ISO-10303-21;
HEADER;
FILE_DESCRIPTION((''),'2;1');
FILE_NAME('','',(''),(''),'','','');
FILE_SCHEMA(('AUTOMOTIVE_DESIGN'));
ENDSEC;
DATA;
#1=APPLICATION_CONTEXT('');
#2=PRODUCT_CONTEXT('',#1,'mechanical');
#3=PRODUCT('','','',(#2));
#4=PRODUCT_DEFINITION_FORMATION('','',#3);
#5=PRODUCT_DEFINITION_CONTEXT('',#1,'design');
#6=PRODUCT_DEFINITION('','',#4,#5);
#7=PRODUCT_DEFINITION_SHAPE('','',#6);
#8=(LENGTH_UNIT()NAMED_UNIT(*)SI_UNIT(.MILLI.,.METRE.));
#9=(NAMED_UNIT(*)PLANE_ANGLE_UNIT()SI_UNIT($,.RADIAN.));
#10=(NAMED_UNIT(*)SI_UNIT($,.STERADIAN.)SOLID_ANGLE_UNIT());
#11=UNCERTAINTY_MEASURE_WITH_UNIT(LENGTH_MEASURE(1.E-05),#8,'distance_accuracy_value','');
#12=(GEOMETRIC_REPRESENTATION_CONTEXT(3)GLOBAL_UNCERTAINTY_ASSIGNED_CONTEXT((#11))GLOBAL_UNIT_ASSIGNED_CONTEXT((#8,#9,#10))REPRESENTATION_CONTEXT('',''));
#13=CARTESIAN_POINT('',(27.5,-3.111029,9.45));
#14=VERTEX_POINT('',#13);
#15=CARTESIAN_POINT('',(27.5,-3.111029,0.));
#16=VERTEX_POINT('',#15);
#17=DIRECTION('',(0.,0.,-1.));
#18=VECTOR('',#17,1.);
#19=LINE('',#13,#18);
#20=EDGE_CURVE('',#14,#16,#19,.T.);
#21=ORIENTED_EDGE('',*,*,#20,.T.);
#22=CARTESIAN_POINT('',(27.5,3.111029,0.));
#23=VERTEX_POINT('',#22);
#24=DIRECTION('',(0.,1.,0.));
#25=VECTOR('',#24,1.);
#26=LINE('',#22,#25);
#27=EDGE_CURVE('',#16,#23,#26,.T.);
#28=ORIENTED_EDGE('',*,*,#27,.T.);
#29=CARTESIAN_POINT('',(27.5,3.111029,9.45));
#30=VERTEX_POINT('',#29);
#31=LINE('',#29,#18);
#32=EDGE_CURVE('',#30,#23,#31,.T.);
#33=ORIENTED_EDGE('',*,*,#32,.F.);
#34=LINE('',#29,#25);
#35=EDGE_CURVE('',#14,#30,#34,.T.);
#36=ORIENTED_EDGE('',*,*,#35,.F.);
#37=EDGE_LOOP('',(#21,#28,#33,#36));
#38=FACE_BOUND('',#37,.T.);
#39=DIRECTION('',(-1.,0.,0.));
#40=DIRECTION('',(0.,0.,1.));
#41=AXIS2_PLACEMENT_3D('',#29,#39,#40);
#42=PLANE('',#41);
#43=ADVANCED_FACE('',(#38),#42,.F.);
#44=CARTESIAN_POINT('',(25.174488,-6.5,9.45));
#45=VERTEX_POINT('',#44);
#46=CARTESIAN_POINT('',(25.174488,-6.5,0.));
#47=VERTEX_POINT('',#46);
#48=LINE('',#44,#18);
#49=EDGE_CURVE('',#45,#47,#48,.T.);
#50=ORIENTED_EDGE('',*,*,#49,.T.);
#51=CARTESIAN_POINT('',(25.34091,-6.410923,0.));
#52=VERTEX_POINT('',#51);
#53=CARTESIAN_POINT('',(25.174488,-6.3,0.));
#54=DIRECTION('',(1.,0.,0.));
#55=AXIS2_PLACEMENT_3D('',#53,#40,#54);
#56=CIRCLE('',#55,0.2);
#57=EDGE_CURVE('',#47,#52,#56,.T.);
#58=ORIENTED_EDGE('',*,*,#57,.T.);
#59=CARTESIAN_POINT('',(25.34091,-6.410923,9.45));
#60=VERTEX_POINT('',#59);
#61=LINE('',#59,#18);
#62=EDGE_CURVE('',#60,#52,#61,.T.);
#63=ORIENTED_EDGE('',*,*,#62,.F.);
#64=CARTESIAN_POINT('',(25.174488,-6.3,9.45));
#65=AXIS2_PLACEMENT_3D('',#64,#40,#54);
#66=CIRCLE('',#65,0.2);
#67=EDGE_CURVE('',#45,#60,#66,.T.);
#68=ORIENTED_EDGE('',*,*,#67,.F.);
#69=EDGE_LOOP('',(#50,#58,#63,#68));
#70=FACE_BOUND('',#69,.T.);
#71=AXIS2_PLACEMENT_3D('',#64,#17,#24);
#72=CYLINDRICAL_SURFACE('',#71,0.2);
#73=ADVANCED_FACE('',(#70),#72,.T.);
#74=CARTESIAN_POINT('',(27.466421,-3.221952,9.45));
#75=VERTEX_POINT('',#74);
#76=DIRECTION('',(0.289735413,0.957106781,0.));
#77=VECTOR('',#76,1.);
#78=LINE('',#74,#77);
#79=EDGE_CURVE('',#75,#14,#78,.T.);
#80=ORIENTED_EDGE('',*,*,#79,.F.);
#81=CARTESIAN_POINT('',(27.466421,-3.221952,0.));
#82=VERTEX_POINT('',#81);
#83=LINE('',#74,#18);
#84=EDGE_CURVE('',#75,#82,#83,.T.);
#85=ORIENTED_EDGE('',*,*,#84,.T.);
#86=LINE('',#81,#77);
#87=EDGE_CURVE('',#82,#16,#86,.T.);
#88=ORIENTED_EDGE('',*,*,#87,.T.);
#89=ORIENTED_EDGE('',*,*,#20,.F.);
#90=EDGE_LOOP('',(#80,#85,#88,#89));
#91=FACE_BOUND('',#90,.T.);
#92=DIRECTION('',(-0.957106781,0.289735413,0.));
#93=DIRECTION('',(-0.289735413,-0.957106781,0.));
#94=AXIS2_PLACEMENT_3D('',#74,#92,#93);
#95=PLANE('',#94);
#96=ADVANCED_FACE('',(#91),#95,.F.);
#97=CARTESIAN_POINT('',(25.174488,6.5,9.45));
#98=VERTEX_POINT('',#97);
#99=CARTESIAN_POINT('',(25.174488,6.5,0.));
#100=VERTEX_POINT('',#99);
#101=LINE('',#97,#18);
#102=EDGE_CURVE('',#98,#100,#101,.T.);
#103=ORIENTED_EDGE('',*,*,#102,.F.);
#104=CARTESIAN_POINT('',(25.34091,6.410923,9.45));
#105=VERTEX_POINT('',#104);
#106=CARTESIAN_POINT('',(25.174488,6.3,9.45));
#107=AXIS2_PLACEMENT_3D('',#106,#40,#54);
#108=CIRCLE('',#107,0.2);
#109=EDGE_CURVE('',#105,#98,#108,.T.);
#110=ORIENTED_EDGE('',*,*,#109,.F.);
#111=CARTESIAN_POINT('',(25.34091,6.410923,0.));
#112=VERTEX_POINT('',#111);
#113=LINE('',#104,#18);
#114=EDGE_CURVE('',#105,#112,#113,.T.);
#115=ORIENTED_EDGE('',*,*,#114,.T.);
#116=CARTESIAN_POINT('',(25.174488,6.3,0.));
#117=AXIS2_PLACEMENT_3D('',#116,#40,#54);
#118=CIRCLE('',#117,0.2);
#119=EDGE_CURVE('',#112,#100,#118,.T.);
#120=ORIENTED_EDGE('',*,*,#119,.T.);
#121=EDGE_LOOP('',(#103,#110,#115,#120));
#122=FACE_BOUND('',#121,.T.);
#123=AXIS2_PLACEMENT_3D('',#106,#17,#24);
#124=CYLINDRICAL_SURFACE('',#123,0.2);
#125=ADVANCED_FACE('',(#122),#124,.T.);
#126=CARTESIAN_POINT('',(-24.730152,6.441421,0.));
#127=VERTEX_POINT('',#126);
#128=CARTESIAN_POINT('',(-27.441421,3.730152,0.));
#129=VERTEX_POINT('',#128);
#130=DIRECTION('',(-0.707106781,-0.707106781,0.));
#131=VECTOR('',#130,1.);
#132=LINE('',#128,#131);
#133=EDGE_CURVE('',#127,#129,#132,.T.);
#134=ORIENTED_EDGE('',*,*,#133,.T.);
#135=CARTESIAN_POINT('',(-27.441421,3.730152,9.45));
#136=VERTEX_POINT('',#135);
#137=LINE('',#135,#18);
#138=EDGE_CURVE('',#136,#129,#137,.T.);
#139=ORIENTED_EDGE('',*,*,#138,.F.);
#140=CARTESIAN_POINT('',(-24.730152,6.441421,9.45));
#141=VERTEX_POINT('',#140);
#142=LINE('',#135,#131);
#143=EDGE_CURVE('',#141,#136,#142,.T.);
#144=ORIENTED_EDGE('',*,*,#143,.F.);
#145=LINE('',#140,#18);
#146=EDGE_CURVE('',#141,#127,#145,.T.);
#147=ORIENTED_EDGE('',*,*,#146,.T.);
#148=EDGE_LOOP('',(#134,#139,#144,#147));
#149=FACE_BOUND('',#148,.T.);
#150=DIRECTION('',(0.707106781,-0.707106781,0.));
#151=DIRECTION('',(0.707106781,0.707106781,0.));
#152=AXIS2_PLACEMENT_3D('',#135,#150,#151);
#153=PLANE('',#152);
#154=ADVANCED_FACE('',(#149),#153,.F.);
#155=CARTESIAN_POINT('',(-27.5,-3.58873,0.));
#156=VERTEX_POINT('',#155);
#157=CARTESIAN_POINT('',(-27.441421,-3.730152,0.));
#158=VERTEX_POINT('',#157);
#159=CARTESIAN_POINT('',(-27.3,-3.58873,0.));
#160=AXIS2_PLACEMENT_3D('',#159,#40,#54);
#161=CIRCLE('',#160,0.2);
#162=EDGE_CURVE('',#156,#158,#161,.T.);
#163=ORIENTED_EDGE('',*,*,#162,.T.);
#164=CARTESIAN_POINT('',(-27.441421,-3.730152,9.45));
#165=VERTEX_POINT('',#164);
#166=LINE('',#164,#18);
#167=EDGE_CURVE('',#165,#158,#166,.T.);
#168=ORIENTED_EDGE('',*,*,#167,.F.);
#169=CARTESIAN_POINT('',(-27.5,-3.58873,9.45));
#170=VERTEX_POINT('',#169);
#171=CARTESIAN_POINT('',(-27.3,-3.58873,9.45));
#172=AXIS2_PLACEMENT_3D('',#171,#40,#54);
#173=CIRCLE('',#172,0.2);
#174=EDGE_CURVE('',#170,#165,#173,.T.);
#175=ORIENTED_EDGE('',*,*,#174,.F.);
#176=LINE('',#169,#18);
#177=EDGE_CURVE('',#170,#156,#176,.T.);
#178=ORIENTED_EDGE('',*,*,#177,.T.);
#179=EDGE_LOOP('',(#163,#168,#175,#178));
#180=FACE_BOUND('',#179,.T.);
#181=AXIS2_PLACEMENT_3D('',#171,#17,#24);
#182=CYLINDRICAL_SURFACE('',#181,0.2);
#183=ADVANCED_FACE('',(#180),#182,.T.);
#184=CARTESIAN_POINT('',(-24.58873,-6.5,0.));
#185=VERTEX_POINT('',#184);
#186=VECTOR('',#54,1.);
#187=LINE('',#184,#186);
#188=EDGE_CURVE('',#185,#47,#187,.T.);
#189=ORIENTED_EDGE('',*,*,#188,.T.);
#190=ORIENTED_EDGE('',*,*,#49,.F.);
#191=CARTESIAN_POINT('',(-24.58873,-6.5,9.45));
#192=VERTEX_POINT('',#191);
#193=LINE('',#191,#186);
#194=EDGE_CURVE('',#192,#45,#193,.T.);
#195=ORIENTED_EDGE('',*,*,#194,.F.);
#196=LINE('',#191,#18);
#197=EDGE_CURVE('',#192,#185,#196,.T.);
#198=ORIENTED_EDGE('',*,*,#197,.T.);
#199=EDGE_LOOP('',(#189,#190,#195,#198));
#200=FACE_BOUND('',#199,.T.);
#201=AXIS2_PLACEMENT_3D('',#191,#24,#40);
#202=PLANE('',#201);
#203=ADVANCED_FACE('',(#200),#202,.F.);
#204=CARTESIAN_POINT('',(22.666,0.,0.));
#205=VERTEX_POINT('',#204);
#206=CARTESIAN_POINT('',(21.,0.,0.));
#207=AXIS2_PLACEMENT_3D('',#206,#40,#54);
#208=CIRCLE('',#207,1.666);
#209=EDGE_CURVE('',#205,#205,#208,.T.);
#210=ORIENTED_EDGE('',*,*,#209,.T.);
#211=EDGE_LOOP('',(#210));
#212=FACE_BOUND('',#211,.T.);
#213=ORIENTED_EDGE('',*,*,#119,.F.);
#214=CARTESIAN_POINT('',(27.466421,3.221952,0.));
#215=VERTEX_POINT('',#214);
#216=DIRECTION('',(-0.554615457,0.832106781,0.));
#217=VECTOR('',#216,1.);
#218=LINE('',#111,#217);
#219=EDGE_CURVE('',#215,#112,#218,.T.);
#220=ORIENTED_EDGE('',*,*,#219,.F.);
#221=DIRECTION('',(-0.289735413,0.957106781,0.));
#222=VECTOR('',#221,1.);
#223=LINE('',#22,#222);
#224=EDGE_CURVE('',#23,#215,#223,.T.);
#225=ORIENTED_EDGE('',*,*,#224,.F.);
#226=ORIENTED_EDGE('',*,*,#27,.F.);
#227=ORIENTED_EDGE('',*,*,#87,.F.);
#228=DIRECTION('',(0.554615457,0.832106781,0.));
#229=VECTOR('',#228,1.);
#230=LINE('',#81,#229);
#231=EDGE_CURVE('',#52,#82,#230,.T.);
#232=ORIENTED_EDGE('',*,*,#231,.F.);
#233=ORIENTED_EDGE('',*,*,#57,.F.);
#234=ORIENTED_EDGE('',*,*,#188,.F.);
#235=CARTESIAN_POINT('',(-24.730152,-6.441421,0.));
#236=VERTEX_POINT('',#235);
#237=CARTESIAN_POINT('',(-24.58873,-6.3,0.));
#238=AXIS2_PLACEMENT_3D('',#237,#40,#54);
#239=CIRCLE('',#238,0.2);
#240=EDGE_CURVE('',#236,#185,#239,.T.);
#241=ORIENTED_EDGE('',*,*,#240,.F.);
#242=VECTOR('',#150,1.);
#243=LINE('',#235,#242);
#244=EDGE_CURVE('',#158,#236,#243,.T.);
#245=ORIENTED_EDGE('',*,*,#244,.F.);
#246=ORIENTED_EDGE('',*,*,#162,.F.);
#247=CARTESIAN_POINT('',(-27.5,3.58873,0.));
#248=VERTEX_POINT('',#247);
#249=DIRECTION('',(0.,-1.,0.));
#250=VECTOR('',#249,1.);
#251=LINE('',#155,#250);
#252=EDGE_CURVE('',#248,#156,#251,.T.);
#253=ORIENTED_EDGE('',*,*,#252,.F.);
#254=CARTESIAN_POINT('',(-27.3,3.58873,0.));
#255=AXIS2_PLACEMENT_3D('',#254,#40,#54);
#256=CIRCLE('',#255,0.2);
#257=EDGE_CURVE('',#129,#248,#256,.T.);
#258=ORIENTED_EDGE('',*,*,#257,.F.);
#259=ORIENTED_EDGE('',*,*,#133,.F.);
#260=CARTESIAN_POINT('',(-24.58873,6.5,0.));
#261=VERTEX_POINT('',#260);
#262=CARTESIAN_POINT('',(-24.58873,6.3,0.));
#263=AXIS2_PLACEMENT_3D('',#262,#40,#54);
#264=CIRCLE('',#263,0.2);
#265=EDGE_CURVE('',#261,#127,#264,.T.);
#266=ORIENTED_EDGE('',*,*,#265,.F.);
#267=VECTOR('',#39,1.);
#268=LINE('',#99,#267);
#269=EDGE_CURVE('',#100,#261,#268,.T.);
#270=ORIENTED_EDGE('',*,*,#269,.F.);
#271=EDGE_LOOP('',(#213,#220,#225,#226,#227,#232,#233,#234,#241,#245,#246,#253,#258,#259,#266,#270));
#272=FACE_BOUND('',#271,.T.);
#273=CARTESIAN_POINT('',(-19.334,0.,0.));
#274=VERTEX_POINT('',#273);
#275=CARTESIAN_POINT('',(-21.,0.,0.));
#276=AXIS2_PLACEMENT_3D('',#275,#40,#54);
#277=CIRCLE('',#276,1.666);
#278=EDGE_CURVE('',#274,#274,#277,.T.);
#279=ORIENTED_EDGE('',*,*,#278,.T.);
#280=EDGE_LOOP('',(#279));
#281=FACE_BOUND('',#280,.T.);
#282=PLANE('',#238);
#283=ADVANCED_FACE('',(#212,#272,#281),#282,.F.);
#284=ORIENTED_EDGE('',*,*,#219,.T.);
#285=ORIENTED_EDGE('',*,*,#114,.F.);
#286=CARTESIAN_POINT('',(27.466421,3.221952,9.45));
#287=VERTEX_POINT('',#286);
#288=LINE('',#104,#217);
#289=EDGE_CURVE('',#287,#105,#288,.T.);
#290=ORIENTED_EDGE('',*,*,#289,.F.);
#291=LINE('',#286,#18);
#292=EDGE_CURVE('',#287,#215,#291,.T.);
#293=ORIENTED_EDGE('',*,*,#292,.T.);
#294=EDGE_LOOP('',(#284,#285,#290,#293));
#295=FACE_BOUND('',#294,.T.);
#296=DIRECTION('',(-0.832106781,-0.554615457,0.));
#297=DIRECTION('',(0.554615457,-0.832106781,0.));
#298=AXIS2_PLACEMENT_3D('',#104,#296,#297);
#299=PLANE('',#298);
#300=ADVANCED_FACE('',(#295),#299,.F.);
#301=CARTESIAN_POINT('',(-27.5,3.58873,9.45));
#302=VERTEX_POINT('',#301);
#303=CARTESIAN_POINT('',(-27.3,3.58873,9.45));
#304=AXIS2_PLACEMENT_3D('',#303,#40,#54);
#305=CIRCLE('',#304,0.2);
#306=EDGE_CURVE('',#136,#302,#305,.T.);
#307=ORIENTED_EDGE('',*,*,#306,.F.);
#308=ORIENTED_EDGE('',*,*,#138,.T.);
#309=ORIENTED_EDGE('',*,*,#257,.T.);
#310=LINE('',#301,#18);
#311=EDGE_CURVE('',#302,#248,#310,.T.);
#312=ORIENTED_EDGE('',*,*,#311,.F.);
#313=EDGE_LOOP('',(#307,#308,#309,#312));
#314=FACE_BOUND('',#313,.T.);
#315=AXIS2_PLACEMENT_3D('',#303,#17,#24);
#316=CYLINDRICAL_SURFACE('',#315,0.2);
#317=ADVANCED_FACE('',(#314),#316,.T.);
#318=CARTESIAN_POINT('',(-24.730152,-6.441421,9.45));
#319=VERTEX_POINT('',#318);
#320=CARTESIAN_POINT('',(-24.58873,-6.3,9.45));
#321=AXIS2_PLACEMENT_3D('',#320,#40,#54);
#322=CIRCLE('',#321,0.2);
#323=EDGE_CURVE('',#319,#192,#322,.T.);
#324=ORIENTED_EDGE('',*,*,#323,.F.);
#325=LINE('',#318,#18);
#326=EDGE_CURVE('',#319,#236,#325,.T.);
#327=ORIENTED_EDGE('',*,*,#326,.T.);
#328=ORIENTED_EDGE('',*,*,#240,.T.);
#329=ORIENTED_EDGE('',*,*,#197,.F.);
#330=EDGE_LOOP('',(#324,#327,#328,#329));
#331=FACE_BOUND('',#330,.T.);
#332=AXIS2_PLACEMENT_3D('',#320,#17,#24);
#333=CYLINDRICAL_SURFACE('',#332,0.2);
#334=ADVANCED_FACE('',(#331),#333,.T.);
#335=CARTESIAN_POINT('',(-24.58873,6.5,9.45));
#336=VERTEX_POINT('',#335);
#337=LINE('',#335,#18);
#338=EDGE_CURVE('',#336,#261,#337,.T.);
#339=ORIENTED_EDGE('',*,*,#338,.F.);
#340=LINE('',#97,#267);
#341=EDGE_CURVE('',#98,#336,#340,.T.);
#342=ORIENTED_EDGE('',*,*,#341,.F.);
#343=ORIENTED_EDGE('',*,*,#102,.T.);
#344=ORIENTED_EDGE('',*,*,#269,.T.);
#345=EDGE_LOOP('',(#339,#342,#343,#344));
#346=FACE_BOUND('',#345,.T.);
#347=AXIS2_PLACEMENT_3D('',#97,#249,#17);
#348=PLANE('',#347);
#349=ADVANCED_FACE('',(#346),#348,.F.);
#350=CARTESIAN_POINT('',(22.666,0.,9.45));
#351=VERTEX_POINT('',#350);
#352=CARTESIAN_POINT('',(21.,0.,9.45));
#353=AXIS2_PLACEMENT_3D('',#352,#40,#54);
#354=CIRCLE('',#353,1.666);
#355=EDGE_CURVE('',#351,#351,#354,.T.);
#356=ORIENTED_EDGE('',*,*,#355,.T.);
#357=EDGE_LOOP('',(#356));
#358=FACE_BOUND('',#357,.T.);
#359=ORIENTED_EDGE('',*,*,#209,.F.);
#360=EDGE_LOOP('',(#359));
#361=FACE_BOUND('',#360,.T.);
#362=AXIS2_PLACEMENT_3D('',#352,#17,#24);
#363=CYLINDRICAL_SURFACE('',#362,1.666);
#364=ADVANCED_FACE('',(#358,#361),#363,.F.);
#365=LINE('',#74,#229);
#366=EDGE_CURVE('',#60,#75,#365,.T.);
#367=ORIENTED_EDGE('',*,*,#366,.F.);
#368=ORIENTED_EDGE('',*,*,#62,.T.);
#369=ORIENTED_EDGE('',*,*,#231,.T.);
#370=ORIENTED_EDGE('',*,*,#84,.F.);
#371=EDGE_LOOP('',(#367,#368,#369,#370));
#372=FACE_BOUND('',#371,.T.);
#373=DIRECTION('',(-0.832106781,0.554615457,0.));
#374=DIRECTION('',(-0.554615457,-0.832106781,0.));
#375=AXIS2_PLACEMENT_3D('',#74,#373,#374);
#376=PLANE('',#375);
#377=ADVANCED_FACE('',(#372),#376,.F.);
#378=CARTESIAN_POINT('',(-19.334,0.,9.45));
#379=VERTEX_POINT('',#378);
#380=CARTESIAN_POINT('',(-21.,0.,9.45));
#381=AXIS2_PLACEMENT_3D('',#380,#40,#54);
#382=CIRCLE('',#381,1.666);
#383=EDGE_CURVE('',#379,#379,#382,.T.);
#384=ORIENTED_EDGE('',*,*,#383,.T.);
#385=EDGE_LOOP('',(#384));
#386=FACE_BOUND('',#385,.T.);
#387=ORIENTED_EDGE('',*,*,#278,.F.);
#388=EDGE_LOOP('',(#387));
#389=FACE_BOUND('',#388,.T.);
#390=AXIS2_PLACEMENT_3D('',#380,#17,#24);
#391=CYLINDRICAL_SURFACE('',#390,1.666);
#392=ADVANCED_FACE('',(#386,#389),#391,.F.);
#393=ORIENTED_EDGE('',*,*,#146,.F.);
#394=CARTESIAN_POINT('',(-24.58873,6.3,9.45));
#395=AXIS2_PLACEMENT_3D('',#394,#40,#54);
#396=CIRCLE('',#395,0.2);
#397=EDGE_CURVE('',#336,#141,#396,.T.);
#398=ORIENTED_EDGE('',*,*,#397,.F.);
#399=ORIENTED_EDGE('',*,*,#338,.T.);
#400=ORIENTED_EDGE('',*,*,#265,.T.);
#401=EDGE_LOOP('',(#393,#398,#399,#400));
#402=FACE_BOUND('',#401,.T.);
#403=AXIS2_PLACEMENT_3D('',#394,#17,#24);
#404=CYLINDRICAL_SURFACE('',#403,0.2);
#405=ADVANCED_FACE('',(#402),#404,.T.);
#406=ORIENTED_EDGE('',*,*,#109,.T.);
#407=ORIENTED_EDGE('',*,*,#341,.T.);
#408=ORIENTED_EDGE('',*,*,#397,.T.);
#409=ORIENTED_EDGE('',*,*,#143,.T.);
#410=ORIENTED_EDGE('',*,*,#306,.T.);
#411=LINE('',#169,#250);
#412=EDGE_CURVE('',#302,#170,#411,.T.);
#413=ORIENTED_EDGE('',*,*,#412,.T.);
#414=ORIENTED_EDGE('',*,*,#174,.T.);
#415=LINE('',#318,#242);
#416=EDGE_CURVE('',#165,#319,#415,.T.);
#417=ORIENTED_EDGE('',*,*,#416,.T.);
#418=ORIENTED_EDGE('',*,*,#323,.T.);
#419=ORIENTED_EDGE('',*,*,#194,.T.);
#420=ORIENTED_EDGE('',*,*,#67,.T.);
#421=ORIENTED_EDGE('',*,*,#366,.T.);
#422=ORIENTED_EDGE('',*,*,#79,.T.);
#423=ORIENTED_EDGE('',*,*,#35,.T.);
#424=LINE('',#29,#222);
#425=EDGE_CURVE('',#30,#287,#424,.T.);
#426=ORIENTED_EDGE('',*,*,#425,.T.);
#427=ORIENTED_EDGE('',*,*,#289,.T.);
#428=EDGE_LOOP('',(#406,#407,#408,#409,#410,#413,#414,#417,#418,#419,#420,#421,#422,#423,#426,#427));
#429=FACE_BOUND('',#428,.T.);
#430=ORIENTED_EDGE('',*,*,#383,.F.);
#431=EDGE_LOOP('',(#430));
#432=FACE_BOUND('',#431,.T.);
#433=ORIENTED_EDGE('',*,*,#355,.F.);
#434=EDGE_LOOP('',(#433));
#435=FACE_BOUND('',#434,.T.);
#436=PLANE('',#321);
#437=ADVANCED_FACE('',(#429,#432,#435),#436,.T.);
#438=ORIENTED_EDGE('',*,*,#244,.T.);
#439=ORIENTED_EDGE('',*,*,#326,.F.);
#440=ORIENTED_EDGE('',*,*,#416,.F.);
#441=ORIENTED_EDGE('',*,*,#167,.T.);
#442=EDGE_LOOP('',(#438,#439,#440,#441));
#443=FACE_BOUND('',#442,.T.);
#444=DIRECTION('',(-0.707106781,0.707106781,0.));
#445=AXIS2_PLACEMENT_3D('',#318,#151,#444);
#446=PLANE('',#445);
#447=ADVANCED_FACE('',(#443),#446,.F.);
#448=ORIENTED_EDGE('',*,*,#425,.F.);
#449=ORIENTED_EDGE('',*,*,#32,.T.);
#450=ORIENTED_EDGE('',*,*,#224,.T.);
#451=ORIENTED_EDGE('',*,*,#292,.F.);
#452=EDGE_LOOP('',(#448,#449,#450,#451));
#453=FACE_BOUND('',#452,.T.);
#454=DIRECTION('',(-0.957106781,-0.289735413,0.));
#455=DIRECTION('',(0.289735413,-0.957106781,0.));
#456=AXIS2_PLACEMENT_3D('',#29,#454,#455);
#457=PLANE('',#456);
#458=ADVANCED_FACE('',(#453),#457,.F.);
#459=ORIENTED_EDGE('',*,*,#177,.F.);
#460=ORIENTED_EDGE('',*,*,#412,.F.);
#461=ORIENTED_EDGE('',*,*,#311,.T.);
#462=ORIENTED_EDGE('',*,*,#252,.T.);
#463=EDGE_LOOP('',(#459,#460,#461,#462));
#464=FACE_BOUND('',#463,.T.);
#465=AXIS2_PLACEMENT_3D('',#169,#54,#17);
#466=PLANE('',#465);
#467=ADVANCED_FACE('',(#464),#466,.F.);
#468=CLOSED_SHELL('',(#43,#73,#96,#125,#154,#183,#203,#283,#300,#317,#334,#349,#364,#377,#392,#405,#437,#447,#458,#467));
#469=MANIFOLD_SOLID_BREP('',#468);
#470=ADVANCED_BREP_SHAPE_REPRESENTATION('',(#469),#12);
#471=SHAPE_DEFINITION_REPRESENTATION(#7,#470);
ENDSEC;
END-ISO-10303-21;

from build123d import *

# Parameters (mm, degrees)
SKETCH1_R           = 1.666
BOSS_EXTRUDE1_DEPTH = 9.45


with BuildPart() as part:
    # Sketch1 → Boss-Extrude1 (new body)
    with BuildSketch(Plane.XY):
        with BuildLine():
            Line((-24.730151519, -6.441421356), (-27.441421356, -3.730151519))
            ThreePointArc((-27.441421356, -3.730151519), (-27.484775907, -3.665266849), (-27.5, -3.588730163))
            Line((-27.5, -3.588730163), (-27.5, 3.588730163))
            ThreePointArc((-27.5, 3.588730163), (-27.484775907, 3.665266849), (-27.441421356, 3.730151519))
            Line((-27.441421356, 3.730151519), (-24.730151519, 6.441421356))
            ThreePointArc((-24.730151519, 6.441421356), (-24.665266849, 6.484775907), (-24.588730163, 6.5))
            Line((-24.588730163, 6.5), (25.17448832, 6.5))
            ThreePointArc((25.17448832, 6.5), (25.268868885, 6.476330114), (25.340909677, 6.410923091))
            Line((25.340909677, 6.410923091), (27.466421356, 3.221951957))
            Line((27.466421356, 3.221951957), (27.5, 3.111028865))
            Line((27.5, 3.111028865), (27.5, -3.111028865))
            Line((27.5, -3.111028865), (27.466421356, -3.221951957))
            Line((27.466421356, -3.221951957), (25.340909677, -6.410923091))
            ThreePointArc((25.340909677, -6.410923091), (25.268868885, -6.476330114), (25.17448832, -6.5))
            Line((25.17448832, -6.5), (-24.588730163, -6.5))
            ThreePointArc((-24.588730163, -6.5), (-24.665266849, -6.484775907), (-24.730151519, -6.441421356))
        make_face()
        with Locations((21, 0)):
            Circle(SKETCH1_R, mode=Mode.SUBTRACT)
        with Locations((-21, 0)):
            Circle(SKETCH1_R, mode=Mode.SUBTRACT)
    extrude(amount=BOSS_EXTRUDE1_DEPTH)


solid = part.part
